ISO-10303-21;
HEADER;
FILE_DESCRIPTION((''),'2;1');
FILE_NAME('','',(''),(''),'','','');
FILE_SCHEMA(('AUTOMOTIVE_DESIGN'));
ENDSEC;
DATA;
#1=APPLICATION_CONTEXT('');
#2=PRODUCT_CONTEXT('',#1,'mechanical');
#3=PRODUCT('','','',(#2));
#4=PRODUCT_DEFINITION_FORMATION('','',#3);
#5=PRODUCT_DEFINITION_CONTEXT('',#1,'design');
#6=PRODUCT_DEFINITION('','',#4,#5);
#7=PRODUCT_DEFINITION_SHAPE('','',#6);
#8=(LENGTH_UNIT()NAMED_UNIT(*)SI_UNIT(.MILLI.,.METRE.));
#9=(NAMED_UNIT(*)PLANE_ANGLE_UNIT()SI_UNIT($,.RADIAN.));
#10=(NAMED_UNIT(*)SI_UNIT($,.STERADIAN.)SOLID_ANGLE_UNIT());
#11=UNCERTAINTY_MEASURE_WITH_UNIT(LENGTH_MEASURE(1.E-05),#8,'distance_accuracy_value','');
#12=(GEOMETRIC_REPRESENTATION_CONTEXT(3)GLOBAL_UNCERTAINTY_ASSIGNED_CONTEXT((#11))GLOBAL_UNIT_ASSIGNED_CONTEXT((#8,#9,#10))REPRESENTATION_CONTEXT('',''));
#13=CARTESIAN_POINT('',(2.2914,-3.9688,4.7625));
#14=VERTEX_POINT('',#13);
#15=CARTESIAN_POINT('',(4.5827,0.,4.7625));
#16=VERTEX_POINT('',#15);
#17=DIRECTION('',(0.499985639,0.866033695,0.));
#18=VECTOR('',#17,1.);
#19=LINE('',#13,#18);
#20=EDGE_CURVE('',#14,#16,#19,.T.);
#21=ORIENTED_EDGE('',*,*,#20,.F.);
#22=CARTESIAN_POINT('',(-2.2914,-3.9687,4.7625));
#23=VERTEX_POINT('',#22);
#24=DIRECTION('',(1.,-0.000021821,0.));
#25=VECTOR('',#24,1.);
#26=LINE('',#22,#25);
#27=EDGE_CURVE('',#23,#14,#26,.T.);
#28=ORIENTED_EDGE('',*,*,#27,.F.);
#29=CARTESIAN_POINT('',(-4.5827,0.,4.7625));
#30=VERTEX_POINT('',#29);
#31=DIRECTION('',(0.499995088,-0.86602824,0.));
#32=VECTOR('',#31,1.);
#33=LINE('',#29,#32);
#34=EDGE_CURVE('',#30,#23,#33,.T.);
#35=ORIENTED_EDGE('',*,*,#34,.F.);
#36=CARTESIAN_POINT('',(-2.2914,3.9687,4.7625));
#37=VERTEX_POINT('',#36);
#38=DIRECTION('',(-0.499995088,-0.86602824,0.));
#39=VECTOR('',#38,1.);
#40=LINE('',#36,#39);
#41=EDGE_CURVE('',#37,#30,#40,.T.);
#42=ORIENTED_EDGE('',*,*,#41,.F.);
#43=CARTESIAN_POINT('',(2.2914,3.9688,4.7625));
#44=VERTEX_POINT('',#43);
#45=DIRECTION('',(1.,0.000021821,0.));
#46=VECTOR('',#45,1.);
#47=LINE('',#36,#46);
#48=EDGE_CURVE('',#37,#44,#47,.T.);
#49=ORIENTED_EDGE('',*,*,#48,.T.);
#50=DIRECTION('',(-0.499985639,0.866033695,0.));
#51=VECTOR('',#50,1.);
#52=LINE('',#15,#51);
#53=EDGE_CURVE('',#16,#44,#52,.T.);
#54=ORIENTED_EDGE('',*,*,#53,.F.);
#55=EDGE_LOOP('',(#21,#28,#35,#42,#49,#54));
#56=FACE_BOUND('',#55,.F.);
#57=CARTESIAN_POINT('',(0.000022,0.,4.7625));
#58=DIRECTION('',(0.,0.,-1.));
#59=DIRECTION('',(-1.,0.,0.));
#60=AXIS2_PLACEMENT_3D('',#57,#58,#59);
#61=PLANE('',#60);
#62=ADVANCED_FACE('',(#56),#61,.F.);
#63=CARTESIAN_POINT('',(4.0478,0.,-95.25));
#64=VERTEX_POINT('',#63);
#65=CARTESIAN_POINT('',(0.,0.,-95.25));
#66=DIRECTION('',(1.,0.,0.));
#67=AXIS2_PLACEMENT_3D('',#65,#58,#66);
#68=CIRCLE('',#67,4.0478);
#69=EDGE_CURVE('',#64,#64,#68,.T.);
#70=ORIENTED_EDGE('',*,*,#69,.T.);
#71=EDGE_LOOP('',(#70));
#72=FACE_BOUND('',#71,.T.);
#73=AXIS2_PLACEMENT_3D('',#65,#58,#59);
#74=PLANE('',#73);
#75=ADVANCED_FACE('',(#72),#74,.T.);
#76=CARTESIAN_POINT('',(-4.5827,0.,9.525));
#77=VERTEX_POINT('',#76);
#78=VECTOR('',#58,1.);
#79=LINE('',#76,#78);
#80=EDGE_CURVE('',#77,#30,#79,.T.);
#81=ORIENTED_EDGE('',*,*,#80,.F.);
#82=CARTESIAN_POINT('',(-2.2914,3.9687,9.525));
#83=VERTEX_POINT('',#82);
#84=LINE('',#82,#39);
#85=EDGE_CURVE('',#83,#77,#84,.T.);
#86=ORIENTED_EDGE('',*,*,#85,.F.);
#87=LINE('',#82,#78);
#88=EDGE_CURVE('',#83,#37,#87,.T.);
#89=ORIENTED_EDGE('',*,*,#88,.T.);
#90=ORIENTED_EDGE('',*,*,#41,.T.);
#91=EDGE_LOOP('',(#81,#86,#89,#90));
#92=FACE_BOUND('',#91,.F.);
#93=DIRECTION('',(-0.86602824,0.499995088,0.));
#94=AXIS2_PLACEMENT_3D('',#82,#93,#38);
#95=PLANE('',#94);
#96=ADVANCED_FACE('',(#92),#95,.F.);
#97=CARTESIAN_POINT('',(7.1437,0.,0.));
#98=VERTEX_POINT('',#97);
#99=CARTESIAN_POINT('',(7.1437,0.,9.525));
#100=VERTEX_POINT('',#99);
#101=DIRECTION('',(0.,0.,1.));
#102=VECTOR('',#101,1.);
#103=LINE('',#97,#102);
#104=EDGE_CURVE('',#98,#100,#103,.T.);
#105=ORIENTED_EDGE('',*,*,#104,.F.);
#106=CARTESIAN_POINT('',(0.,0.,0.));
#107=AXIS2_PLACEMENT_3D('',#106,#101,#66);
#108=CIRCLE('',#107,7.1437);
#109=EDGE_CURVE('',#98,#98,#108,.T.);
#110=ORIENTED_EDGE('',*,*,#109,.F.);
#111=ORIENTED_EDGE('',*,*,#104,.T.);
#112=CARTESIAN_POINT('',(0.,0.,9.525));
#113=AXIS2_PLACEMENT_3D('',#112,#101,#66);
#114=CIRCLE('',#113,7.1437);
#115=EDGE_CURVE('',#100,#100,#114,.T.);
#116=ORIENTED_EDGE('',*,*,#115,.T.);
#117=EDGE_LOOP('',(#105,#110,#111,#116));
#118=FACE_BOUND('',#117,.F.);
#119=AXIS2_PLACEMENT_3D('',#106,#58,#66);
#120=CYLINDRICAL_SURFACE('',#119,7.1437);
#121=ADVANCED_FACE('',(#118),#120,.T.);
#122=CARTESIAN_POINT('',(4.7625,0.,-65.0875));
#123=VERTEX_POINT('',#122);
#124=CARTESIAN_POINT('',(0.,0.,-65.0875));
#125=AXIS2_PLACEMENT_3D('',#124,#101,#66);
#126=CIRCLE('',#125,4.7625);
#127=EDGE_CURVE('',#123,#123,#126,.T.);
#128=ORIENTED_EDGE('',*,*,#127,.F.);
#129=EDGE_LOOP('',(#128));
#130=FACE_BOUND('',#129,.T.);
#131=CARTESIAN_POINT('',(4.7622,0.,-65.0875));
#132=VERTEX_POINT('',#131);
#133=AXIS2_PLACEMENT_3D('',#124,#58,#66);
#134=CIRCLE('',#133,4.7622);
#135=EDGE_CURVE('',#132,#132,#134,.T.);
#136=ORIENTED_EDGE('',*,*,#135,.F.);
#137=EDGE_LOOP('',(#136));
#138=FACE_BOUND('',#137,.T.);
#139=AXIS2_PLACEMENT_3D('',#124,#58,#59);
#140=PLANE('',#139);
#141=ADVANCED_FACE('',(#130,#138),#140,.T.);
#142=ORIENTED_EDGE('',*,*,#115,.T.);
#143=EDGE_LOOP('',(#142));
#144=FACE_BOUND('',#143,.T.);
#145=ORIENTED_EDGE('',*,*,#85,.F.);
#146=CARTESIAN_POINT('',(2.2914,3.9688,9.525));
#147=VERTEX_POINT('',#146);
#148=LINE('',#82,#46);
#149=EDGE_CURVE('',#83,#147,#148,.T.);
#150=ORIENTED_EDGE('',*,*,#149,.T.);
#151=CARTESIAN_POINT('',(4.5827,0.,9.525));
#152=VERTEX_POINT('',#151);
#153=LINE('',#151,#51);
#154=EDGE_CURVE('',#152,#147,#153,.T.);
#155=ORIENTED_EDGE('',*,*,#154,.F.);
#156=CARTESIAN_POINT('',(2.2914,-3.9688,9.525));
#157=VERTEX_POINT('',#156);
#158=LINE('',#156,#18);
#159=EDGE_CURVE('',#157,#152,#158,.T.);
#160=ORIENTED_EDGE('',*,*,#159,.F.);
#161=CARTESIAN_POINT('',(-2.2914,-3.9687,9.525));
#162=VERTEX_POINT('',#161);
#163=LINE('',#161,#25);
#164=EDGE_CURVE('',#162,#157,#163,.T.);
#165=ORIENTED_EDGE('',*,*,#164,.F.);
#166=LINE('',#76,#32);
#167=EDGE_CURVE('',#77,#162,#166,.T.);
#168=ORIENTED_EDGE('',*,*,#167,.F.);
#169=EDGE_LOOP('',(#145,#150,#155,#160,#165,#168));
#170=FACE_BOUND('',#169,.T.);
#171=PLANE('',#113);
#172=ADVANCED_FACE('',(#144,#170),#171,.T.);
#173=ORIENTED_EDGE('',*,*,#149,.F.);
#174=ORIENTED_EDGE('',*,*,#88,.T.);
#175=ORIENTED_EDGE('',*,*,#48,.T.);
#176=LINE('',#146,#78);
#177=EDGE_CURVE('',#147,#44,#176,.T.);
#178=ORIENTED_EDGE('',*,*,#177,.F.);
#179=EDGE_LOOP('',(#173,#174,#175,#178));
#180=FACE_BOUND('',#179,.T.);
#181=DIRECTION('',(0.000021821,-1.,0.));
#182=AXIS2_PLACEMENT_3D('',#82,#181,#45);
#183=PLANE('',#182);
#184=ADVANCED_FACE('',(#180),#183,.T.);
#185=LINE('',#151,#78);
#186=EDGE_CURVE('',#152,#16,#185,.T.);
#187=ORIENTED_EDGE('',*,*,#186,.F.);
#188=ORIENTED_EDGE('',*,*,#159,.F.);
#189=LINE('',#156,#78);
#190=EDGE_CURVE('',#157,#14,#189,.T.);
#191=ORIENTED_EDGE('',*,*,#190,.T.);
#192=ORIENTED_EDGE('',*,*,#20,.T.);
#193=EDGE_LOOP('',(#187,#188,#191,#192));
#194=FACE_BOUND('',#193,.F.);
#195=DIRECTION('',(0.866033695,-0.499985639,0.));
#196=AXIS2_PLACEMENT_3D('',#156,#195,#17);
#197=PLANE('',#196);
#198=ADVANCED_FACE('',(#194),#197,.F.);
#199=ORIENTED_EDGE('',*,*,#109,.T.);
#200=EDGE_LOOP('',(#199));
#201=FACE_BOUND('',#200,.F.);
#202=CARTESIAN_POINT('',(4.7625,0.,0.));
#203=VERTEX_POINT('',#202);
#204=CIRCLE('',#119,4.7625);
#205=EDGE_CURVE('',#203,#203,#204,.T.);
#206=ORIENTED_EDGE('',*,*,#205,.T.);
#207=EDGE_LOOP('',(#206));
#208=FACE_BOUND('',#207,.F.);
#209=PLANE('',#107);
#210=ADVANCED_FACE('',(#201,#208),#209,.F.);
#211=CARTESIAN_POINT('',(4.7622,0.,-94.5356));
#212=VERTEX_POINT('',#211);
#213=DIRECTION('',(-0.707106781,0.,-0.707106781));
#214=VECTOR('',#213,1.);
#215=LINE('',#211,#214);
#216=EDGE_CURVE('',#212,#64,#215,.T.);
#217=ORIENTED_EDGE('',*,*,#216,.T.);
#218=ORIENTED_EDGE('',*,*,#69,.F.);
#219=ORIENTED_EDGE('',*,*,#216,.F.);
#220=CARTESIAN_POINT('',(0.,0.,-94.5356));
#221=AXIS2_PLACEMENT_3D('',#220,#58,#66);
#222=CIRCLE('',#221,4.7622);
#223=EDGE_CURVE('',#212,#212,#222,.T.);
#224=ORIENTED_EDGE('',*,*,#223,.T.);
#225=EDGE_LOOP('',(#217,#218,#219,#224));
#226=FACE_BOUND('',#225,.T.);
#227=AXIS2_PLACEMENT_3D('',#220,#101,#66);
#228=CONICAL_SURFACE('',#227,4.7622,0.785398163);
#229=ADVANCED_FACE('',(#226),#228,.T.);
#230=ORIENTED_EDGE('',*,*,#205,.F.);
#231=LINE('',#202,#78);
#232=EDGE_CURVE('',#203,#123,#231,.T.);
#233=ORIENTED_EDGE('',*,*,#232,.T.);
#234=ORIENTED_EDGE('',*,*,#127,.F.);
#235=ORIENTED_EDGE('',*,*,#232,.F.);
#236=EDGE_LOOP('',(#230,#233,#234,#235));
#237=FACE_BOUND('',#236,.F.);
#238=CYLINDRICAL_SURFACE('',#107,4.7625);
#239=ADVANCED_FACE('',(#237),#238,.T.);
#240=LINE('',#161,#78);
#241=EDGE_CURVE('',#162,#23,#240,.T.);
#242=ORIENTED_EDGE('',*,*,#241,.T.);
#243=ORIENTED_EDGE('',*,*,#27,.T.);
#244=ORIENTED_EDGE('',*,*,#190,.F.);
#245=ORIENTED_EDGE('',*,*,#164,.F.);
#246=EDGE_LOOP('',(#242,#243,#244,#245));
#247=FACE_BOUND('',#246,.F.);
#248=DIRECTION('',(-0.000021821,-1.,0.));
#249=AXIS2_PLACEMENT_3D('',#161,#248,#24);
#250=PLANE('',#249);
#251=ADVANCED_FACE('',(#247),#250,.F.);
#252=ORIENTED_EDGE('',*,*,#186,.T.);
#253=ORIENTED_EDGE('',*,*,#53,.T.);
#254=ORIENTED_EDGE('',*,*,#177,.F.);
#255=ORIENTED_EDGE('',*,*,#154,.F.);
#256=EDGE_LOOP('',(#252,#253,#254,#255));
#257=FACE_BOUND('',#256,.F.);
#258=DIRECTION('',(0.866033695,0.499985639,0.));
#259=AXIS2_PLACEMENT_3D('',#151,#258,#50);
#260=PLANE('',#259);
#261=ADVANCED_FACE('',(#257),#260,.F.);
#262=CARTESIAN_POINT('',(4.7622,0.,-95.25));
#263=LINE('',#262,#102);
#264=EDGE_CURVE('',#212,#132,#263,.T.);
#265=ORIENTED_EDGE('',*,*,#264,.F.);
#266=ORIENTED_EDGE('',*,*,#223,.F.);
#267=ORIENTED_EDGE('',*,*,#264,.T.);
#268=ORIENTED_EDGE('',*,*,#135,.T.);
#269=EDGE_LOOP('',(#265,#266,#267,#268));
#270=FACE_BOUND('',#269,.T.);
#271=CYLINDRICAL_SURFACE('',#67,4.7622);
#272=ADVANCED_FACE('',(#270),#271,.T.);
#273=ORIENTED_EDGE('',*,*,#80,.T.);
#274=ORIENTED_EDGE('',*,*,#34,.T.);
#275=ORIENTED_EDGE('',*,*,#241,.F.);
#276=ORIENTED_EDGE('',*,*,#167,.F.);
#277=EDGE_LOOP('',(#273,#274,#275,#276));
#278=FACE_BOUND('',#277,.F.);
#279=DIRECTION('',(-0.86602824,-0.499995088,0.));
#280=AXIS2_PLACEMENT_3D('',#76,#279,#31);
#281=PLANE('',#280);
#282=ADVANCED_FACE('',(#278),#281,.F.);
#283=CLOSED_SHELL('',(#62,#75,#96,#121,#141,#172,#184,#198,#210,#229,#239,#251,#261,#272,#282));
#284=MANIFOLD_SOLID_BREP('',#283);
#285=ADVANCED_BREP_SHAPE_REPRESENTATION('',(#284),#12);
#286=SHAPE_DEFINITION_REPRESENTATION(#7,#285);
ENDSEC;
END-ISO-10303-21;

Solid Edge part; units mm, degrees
sketch "Sketch1" plane through (0, 0, 0) normal (0, 0, 1) x (1, 0, 0)
  circle A0 centre (0, 0) radius 7.1437
  dimension "D1" = 14.2875
extrude "Protrusion1" add sketch "Sketch1" along normal blind 9.525
sketch "Sketch2" plane through (0, 0, 0) normal (0, 0, -1) x (1, 0, 0)
  circle A0 centre (0, 0) radius 4.7625
extrude "Protrusion2" add sketch "Sketch2" along normal blind 95.25
sketch "Sketch3" plane through (0, 0, -95.25) normal (0, 0, -1) x (1, 0, 0)
  circle A0 centre (0, 0) radius 4.7622
extrude "Cutout1" cut sketch "Sketch3" against normal blind 30.1625 flip side to cut
chamfer "Chamfer_1" distance 0.7144 angle 45 1 edges at (-4.7622, 0, -95.25)
sketch "Sketch4" plane through (0, 0, 9.525) normal (0, 0, 1) x (1, 0, 0)
  line L0 (-2.2914, 3.9687) -> (2.2914, 3.9688)
  line L1 (4.5827, 0) -> (2.2914, 3.9688)
  line L2 (2.2914, -3.9688) -> (4.5827, 0)
  line L3 (-2.2914, -3.9687) -> (2.2914, -3.9688)
  line L4 (-4.5827, 0) -> (-2.2914, -3.9688)
  line L5 (-2.2914, 3.9688) -> (-4.5827, 0)
  dimension "D1" = 7.9375
extrude "Cutout2" cut sketch "Sketch4" against normal blind 4.7625
properties part number "24102206"
